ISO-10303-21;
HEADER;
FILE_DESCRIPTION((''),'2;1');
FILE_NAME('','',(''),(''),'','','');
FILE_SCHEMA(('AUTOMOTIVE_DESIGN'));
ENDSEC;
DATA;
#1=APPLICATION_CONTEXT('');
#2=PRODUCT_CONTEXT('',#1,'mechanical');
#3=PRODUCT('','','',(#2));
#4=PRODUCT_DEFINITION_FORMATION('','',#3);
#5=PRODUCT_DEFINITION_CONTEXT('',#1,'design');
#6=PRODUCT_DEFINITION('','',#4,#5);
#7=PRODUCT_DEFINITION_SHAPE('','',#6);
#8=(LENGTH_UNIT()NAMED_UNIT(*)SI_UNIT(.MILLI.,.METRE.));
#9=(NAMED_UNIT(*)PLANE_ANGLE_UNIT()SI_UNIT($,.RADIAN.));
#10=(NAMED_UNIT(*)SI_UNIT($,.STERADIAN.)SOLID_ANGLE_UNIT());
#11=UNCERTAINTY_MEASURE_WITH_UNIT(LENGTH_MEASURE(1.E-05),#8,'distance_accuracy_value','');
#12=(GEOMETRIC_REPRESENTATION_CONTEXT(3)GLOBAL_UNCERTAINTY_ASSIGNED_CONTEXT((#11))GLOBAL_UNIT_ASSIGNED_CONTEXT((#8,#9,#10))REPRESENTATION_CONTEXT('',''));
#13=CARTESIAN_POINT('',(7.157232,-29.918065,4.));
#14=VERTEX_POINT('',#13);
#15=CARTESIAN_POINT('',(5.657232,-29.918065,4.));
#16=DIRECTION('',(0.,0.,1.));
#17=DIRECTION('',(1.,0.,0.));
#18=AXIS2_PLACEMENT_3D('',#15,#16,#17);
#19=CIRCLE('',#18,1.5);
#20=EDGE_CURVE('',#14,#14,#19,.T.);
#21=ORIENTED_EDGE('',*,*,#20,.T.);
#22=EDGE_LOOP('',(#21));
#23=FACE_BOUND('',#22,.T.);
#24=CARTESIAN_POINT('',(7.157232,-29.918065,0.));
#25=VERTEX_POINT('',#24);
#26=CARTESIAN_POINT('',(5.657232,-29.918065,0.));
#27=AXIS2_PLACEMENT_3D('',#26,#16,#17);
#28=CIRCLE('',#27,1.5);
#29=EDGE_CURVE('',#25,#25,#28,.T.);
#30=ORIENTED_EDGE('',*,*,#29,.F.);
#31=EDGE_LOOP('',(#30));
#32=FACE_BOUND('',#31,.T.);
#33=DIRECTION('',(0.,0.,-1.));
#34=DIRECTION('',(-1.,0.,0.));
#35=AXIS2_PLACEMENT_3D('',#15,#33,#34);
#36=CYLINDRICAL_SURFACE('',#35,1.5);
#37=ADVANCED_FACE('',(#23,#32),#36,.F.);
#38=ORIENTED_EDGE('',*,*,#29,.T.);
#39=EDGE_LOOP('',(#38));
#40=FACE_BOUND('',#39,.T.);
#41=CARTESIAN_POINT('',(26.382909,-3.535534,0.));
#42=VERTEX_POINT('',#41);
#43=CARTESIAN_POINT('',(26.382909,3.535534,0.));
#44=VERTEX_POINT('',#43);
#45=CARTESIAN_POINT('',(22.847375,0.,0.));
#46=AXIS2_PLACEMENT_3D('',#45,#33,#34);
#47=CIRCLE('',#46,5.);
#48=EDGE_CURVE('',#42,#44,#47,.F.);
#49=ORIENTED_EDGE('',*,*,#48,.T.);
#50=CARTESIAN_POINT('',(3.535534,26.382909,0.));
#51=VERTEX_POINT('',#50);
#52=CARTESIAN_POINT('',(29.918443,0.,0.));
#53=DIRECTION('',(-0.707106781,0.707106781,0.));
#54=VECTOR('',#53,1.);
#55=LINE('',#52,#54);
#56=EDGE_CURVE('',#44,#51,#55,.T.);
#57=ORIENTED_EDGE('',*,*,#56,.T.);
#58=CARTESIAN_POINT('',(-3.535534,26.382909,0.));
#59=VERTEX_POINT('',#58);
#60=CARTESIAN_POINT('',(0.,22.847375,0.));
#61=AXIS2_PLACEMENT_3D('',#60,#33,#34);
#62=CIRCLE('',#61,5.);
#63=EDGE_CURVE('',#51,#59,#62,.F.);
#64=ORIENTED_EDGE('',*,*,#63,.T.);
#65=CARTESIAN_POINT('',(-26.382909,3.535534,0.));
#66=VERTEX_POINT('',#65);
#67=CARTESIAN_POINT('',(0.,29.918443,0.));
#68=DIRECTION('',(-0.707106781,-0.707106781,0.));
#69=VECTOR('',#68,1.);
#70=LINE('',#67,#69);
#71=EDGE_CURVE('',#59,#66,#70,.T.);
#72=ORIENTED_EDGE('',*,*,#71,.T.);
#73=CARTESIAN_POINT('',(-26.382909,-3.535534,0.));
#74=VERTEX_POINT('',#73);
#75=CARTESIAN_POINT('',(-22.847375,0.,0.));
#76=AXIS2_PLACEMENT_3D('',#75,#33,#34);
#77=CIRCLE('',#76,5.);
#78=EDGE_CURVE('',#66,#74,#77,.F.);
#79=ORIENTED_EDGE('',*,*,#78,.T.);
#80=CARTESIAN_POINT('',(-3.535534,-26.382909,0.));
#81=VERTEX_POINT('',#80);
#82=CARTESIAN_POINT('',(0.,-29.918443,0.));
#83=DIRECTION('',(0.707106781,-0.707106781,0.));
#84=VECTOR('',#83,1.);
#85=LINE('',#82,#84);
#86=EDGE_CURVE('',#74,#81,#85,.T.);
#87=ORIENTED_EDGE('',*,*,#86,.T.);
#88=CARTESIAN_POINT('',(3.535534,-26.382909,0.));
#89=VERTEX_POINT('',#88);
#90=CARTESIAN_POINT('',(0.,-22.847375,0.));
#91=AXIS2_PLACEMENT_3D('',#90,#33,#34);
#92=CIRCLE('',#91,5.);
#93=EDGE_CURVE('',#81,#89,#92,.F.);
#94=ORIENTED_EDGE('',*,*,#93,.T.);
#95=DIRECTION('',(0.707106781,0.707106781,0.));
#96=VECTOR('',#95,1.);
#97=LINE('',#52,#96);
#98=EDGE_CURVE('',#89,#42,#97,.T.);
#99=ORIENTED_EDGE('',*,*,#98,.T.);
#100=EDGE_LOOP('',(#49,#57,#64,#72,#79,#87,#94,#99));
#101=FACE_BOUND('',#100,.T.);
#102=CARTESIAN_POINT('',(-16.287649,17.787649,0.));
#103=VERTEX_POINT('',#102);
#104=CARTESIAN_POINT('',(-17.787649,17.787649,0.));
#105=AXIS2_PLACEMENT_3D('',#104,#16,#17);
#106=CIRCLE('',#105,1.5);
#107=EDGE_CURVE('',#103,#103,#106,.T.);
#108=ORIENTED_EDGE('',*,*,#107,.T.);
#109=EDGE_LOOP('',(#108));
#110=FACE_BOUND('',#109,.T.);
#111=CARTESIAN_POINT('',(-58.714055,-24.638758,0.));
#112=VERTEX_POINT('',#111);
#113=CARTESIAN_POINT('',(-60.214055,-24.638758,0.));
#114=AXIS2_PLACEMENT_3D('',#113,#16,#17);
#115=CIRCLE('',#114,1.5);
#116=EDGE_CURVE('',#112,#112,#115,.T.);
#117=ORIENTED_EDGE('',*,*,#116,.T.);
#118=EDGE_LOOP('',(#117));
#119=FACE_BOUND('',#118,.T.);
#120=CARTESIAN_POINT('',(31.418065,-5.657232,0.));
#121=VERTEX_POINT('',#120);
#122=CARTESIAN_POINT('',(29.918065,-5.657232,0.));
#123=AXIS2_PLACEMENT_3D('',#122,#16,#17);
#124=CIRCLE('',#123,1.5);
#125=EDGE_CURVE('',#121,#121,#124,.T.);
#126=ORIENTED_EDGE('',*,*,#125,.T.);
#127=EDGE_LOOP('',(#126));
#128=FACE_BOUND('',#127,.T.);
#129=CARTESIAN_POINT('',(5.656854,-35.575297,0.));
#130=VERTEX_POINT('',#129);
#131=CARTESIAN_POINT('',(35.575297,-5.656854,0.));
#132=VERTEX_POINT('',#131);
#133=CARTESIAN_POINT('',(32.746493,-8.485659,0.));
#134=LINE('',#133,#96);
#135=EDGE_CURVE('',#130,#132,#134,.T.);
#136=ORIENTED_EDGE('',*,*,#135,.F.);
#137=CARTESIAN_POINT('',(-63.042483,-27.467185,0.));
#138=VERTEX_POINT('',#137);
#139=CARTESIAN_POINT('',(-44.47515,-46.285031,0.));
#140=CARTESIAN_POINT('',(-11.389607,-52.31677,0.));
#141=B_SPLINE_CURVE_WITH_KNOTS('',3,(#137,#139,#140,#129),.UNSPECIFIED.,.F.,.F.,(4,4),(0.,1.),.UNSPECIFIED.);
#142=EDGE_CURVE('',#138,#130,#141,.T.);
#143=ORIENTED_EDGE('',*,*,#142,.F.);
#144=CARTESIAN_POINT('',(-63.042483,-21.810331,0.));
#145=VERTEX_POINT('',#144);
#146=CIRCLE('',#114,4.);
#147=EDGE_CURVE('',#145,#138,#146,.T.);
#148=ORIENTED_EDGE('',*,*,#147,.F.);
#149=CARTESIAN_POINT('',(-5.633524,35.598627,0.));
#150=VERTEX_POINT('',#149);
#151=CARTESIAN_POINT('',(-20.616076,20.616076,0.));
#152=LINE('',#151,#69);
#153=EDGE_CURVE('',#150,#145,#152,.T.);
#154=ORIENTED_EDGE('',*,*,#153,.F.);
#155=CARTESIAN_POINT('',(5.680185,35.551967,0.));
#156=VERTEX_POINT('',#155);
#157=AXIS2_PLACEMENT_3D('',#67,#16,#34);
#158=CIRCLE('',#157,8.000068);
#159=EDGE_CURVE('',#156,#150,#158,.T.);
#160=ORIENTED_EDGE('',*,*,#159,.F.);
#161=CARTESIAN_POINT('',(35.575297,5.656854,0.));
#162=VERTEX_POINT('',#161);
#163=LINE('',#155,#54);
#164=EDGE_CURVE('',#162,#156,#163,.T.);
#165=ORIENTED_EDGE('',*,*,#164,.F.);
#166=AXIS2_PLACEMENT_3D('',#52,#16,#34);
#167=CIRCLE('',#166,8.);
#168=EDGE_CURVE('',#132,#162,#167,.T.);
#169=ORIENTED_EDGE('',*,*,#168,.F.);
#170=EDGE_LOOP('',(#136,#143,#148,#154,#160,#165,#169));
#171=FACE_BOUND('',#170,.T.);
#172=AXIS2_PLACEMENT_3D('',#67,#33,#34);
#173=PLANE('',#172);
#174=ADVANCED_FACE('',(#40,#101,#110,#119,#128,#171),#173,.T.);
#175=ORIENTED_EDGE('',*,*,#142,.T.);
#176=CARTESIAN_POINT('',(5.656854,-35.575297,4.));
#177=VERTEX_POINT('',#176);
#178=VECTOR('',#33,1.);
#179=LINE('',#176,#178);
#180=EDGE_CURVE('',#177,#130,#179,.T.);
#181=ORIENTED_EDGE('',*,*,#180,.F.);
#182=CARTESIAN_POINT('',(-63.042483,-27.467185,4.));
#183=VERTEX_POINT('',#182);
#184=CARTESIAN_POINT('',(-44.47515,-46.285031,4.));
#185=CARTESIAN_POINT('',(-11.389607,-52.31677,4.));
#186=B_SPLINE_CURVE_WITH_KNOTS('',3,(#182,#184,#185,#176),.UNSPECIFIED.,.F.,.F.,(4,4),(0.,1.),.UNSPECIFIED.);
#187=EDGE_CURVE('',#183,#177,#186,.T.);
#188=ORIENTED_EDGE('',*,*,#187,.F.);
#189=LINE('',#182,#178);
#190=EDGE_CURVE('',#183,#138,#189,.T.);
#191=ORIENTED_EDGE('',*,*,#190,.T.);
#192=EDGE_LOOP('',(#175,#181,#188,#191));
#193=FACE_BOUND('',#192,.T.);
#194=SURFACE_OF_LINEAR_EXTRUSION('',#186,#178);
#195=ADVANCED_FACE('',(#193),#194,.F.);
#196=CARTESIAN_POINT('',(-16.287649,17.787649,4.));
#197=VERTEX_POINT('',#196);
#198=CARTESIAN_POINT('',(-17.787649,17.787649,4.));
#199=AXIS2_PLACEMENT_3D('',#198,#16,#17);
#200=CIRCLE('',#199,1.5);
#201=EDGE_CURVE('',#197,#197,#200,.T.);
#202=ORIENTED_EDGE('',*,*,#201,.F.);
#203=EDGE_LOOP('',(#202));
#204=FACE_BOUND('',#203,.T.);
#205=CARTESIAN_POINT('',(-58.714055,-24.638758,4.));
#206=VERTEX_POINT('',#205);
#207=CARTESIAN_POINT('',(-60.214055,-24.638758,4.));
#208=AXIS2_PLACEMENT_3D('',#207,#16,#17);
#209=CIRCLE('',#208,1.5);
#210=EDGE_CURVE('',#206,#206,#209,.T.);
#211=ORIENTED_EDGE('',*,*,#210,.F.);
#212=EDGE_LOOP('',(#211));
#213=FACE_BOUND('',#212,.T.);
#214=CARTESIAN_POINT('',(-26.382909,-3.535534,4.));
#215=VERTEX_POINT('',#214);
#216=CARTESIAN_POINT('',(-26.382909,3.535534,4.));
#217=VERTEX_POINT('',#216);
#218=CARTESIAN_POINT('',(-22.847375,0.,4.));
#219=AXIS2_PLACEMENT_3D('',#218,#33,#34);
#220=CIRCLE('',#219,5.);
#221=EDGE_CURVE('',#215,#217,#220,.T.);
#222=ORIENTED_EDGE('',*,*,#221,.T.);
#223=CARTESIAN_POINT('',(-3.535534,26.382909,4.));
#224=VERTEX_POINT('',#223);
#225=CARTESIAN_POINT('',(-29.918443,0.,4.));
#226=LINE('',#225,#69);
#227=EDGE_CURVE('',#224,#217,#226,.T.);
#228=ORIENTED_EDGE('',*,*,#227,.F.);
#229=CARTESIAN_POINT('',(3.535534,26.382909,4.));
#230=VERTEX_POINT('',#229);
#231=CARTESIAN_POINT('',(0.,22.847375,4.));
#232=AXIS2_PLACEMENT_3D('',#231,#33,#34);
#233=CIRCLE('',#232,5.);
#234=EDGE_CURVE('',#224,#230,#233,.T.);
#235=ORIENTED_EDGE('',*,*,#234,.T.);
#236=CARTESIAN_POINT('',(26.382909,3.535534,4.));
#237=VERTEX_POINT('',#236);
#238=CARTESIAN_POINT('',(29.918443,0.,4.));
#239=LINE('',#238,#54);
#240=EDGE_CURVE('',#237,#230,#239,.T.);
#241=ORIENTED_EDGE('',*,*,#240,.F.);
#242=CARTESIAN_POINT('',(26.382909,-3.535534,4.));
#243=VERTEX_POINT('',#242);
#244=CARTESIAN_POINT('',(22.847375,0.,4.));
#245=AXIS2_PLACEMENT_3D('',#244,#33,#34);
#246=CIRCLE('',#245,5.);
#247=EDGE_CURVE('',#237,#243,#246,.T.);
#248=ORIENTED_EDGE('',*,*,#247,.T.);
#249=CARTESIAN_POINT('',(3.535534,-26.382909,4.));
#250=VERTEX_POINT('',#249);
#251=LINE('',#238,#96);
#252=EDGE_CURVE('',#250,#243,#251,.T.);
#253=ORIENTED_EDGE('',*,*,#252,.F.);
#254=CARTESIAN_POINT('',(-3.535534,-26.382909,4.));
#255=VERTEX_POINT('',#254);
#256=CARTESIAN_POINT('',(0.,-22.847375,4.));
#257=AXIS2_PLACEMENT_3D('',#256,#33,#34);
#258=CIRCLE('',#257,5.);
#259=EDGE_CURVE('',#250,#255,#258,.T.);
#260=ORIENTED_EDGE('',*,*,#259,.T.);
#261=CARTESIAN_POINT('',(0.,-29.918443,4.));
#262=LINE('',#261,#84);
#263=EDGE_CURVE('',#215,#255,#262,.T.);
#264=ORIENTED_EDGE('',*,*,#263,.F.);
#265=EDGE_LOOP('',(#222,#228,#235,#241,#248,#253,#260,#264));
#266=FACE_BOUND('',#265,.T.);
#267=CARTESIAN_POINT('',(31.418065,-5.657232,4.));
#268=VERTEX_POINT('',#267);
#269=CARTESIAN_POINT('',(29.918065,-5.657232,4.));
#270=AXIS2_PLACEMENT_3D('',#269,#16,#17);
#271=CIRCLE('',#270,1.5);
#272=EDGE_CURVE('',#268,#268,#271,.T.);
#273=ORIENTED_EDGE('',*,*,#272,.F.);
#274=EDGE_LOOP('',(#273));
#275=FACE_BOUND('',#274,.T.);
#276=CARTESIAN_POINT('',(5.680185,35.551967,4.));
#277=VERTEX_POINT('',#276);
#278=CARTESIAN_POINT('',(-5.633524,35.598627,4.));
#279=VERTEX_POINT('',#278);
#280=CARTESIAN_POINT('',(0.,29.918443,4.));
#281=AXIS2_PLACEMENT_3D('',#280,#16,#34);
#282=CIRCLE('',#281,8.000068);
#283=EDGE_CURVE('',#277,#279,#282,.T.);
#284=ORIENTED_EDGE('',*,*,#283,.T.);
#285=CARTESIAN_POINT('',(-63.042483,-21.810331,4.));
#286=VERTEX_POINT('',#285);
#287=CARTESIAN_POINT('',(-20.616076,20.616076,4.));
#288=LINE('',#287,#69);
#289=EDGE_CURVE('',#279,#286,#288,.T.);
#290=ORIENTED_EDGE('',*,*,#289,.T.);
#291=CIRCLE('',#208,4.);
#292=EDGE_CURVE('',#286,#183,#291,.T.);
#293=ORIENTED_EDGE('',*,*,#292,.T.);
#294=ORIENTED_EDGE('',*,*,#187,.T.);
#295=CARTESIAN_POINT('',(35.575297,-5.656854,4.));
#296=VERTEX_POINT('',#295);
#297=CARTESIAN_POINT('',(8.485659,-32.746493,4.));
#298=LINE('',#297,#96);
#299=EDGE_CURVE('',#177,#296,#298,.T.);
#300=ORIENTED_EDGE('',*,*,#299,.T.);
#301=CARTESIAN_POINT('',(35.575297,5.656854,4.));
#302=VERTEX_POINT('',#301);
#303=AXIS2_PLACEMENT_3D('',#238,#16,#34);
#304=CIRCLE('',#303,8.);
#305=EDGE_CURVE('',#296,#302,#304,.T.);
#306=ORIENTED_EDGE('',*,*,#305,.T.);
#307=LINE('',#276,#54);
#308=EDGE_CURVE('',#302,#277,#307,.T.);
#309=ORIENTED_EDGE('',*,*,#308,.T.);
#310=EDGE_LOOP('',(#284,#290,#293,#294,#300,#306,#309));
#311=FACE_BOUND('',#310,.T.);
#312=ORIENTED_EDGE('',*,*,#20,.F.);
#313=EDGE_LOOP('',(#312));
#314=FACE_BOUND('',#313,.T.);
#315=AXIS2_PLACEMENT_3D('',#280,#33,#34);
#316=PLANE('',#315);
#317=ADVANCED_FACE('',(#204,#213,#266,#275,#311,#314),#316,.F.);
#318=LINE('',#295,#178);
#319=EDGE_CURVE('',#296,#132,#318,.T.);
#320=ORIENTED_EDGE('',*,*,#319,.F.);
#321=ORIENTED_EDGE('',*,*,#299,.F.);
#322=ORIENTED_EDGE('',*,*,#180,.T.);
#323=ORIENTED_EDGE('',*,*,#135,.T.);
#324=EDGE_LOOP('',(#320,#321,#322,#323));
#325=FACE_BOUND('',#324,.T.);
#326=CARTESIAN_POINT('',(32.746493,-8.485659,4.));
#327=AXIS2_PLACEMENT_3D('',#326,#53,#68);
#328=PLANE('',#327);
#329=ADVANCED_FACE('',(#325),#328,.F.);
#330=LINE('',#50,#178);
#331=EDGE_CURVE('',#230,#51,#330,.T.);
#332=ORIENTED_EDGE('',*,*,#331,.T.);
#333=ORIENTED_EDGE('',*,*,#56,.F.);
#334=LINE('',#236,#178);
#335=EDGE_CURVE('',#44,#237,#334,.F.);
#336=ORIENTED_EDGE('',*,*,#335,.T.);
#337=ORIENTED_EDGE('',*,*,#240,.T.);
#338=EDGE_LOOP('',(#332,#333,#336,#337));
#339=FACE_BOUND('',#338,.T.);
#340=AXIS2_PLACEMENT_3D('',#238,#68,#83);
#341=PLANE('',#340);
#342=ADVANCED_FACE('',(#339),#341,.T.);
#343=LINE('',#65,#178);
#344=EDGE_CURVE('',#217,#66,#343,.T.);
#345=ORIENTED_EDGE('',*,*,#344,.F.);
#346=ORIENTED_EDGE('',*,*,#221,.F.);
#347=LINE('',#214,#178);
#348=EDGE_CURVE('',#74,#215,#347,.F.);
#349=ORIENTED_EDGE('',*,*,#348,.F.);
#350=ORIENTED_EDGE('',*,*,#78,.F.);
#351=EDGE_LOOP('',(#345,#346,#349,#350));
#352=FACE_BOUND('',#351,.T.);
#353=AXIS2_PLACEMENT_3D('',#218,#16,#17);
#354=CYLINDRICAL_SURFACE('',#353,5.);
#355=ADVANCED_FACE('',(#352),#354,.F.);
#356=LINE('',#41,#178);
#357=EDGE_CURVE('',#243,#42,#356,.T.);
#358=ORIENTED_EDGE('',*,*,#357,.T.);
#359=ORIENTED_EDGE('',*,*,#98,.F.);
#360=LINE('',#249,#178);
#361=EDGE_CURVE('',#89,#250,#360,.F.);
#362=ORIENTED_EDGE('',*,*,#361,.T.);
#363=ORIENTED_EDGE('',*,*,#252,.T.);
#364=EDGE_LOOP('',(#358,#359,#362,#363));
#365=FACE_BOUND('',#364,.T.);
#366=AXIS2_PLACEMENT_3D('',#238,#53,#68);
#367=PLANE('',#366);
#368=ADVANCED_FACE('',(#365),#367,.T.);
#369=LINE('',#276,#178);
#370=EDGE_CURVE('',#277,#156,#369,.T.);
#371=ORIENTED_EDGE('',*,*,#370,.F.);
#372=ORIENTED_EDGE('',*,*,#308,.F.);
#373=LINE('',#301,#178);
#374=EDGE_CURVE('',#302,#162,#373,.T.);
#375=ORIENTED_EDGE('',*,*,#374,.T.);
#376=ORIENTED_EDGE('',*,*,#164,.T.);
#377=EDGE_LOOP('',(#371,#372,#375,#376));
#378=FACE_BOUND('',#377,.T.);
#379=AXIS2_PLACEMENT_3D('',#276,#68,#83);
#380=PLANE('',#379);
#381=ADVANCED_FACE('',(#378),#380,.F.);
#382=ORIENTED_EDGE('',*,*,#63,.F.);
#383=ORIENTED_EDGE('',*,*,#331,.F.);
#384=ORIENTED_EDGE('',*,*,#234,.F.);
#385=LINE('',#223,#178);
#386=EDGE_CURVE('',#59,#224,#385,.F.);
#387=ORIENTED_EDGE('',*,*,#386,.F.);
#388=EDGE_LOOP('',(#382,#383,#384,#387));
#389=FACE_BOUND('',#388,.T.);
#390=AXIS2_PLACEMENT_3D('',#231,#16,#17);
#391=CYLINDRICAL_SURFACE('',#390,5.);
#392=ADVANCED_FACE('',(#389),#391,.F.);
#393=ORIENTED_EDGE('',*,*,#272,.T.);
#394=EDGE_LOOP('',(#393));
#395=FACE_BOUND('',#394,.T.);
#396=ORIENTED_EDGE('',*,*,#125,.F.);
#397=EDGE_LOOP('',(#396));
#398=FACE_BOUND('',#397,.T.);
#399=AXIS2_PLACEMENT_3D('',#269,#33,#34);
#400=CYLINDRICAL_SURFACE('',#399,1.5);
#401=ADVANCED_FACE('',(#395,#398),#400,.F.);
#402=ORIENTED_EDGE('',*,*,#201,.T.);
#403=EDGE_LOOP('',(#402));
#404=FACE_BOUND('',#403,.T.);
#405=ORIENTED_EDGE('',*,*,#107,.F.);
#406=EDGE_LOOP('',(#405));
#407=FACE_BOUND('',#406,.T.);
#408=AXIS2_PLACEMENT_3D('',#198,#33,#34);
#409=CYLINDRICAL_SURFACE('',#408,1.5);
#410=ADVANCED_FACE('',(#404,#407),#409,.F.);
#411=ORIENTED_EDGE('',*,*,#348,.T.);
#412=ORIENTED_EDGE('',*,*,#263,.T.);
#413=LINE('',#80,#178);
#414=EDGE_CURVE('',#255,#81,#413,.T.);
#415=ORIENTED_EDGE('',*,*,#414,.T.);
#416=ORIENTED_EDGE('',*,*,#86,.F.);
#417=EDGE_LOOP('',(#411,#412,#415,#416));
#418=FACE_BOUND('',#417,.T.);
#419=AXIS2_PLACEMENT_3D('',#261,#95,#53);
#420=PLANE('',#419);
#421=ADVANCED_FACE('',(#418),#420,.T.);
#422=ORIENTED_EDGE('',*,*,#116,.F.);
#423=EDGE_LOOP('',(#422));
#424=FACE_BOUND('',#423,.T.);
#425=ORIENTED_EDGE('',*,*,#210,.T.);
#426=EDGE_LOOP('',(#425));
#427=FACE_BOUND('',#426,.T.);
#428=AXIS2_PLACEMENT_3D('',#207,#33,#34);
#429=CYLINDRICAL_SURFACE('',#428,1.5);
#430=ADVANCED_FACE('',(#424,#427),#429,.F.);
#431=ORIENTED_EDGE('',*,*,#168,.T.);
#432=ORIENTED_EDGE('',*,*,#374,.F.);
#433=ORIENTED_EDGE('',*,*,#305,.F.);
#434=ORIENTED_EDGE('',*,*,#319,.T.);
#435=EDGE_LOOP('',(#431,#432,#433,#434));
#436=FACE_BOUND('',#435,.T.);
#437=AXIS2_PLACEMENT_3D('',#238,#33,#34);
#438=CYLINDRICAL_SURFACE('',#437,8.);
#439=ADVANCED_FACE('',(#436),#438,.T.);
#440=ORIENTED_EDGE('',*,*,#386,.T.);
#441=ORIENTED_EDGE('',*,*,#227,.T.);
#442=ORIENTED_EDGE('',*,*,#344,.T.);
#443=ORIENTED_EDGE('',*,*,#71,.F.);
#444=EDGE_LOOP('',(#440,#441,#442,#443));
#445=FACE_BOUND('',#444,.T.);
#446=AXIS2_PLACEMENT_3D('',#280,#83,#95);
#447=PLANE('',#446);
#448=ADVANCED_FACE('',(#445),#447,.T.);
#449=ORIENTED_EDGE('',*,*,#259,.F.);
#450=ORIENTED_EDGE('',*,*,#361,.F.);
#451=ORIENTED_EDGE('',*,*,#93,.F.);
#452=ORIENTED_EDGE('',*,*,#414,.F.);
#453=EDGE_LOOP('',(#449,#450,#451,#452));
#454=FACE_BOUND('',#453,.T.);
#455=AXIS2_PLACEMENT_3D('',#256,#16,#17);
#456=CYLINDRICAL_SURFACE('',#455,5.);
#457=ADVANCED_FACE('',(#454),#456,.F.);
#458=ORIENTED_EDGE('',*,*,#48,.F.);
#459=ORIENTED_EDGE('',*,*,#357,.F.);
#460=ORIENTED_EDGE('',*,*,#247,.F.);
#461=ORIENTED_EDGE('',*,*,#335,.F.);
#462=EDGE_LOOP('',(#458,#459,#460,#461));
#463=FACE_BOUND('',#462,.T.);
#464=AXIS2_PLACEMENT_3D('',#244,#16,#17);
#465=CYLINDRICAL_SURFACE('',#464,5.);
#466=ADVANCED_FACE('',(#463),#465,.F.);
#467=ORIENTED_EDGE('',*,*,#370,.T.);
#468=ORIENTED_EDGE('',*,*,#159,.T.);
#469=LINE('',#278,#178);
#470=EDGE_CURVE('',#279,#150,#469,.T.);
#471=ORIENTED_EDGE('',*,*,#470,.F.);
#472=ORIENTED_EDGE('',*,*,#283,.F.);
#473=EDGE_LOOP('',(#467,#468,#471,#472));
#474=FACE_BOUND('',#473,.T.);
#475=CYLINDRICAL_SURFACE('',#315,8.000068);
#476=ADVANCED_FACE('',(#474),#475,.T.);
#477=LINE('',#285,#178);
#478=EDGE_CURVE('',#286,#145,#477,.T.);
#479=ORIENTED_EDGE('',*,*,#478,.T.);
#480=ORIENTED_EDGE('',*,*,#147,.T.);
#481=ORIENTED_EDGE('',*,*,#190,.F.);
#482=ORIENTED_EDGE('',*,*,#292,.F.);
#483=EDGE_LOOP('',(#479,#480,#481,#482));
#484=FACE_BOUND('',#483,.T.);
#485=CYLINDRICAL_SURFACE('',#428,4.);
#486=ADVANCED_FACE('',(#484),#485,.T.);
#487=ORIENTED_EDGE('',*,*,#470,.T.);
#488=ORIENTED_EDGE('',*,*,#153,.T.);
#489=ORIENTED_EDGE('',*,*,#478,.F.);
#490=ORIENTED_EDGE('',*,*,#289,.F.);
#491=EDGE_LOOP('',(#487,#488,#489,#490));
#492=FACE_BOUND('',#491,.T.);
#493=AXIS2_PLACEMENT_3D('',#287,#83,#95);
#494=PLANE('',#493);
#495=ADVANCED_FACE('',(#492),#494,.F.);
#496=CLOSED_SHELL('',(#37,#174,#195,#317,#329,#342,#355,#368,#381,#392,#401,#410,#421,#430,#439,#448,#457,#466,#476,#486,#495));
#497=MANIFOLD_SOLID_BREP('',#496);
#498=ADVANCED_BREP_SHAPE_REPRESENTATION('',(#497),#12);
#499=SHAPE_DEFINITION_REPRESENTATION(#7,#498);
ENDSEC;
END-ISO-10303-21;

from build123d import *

# Parameters (mm, degrees)
SKETCH1_R           = 1.5
BOSS_EXTRUDE1_DEPTH = 4
FILLET1_R           = 5


with BuildPart() as part:
    # Sketch1 → Boss-Extrude1 (new body)
    with BuildSketch(Plane.XY):
        with BuildLine():
            Line((-20.616075737, 20.616075737), (-63.042482608, -21.810331134))
            ThreePointArc((-63.042482608, -21.810331134), (-64.214055483, -24.638758259), (-63.042482608, -27.467185384))
            add(Edge.make_bspline(
                [(-63.042482608, -27.467185384), (-44.475149979, -46.28503097), (-11.38960692, -52.316770126), (5.656854249, -35.575297224)],
                knots=[0, 0, 0, 0, 1, 1, 1, 1], degree=3))
            Line((5.656854249, -35.575297224), (8.485658906, -32.746492568))
            Line((8.485658906, -32.746492568), (32.746492568, -8.485658906))
            Line((32.746492568, -8.485658906), (35.575297224, -5.656854249))
            ThreePointArc((35.575297224, -5.656854249), (37.918442975, 0), (35.575297224, 5.656854249))
            Line((35.575297224, 5.656854249), (5.680184525, 35.551966949))
            ThreePointArc((5.680184525, 35.551966949), (0.032993992, 37.918442975), (-5.633523974, 35.5986275))
            Line((-5.633523974, 35.5986275), (-20.616075737, 20.616075737))
        make_face()
        with Locations((29.918065443, -5.657231781)):
            Circle(SKETCH1_R, mode=Mode.SUBTRACT)
        with Locations((5.657231781, -29.918065443)):
            Circle(SKETCH1_R, mode=Mode.SUBTRACT)
        with Locations((-17.787648612, 17.787648612)):
            Circle(SKETCH1_R, mode=Mode.SUBTRACT)
        with Locations((-60.214055483, -24.638758259)):
            Circle(SKETCH1_R, mode=Mode.SUBTRACT)
        Polygon((29.918442975, 0), (0, -29.918442975), (-29.918442975, 0), (-14.959221487, 14.959221487), (0, 29.918442975), align=None, mode=Mode.SUBTRACT)
    extrude(amount=BOSS_EXTRUDE1_DEPTH)

    # Fillet1
    fillet1_edges = [part.edges().sort_by_distance(p)[0] for p in [
        (-29.918442975, 0, 2),
        (0, -29.918442975, 2),
        (29.918442975, 0, 2),
        (0, 29.918442975, 2),
    ]]
    fillet(fillet1_edges, radius=FILLET1_R)


solid = part.part
